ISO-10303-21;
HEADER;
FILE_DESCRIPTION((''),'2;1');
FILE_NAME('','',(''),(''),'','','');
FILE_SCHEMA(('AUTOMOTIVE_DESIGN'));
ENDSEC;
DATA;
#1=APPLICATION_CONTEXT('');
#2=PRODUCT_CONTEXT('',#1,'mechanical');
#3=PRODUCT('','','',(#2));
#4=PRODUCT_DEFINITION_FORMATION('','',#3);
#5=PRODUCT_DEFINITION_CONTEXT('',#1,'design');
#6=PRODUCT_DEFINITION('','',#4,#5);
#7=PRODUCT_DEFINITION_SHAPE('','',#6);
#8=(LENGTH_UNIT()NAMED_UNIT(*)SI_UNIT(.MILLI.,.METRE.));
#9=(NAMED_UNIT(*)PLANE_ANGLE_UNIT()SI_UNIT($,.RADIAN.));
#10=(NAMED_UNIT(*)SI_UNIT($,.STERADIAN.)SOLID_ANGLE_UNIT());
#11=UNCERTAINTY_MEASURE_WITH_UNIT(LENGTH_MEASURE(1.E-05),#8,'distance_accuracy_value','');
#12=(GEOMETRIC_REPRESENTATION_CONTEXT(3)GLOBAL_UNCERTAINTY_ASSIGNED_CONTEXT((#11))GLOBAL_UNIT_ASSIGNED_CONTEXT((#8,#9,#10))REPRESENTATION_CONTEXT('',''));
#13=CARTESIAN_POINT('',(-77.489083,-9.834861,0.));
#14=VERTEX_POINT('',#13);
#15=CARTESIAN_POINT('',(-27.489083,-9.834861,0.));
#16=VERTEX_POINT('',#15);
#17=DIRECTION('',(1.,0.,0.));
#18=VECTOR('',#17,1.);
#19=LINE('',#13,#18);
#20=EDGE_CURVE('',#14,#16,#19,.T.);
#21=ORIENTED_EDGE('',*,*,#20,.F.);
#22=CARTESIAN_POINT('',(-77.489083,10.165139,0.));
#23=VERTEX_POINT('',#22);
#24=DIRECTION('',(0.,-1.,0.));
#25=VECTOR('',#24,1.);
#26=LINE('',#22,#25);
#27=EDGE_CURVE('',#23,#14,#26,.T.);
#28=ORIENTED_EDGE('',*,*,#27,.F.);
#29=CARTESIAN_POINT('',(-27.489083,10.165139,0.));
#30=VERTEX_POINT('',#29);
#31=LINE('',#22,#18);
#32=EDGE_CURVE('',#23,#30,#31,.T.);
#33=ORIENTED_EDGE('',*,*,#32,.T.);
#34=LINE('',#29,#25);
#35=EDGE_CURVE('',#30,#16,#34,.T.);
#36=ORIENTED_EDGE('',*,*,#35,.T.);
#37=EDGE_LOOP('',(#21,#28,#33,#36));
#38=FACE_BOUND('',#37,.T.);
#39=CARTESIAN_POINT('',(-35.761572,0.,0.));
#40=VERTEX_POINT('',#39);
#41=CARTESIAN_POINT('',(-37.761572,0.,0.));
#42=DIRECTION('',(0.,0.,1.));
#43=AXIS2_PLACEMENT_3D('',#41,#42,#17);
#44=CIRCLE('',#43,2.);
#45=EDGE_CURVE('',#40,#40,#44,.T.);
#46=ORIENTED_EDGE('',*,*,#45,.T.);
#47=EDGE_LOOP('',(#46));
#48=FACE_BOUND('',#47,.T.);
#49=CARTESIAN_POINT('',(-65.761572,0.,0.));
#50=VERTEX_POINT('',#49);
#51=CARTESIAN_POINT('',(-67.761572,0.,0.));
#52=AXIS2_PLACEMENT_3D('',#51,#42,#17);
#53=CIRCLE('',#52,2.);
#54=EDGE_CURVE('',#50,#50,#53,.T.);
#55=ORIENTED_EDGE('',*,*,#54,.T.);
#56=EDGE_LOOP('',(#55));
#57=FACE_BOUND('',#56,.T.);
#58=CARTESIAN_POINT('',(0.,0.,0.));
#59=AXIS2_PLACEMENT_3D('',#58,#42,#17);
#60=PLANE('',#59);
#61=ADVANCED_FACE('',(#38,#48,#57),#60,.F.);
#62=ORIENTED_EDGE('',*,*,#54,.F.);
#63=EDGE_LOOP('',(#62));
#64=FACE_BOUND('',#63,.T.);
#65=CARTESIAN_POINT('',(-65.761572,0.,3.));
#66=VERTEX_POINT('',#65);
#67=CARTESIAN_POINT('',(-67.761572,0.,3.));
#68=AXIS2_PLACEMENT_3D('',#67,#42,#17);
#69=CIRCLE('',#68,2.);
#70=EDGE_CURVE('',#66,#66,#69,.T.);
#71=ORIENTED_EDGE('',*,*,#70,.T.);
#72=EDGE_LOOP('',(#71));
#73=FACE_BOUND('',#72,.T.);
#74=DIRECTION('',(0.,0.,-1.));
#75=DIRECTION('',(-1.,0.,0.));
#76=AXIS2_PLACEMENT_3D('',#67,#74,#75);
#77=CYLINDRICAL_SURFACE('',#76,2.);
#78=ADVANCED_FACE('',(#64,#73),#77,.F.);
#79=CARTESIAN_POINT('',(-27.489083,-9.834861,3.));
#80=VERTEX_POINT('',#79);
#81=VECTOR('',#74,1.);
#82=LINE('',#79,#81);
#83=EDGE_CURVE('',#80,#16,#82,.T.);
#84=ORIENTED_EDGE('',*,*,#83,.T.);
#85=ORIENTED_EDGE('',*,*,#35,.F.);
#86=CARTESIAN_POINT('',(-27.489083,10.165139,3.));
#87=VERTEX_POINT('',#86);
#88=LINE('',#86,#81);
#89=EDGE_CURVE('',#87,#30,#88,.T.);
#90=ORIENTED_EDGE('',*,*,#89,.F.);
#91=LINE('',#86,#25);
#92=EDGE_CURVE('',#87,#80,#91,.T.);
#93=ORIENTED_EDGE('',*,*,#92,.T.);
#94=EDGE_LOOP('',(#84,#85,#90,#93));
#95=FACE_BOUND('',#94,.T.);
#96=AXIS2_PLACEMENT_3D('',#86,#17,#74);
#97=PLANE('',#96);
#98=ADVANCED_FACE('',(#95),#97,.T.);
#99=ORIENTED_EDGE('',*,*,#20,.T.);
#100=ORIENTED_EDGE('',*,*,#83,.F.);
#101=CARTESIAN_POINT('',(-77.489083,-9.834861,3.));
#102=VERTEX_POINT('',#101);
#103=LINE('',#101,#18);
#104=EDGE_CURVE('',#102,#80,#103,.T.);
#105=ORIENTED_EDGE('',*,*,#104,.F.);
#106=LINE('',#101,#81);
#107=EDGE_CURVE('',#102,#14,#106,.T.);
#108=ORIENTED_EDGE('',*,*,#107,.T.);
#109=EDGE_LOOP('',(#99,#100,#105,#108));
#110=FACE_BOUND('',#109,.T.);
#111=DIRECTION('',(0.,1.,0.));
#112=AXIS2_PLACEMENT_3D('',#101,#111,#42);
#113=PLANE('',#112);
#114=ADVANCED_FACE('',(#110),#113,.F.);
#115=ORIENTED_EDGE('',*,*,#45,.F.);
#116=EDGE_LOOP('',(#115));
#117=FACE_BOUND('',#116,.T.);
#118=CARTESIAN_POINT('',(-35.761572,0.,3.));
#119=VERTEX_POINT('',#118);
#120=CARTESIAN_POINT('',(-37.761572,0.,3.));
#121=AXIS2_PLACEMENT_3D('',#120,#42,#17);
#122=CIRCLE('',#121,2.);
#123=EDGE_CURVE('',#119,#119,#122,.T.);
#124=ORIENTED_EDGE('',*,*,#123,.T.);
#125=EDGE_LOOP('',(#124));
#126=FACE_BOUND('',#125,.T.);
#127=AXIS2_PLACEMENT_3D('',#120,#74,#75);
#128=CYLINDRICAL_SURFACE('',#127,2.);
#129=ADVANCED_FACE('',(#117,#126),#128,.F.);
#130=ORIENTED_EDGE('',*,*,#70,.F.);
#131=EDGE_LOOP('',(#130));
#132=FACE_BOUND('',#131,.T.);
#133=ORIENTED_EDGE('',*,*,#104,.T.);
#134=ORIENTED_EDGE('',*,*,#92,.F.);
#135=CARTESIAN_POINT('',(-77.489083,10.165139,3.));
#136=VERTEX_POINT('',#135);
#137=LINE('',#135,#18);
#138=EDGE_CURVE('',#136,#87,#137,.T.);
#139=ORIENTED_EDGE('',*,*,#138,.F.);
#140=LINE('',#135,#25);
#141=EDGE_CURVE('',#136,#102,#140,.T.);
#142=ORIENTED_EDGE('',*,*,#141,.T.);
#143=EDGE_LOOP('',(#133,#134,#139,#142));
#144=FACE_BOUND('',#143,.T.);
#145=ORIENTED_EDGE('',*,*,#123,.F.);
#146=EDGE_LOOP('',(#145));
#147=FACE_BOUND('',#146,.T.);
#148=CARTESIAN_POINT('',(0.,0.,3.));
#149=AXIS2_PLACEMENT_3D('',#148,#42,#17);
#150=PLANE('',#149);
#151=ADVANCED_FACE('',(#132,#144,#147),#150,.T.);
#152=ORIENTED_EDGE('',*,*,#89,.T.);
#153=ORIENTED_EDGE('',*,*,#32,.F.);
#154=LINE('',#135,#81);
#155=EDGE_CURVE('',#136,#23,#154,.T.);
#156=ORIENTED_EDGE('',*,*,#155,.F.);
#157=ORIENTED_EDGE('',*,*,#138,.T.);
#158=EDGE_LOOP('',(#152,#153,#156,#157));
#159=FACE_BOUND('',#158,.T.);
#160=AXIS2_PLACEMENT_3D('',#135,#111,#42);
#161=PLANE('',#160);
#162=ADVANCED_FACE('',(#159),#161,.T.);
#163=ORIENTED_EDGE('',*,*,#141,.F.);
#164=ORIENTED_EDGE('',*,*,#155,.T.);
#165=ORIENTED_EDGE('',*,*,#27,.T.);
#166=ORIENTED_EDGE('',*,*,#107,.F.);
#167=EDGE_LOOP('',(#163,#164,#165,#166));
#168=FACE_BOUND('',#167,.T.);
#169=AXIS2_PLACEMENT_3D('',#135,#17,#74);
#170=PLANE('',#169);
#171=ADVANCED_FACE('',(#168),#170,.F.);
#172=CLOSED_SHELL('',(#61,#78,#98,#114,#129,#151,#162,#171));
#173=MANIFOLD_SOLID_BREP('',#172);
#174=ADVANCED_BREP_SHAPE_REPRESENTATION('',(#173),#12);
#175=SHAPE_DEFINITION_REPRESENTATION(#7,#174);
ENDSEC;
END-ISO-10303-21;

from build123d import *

# Parameters (mm, degrees)
SKETCH1_W           = 50
SKETCH1_H           = 20
SKETCH1_R           = 2
BOSS_EXTRUDE1_DEPTH = 3


with BuildPart() as part:
    # Sketch1 → Boss-Extrude1 (new body)
    with BuildSketch(Plane.XY):
        with Locations((-52.489082951, 0.165139096)):
            Rectangle(SKETCH1_W, SKETCH1_H)
        with Locations((-67.761571669, 0)):
            Circle(SKETCH1_R, mode=Mode.SUBTRACT)
        with Locations((-37.761571669, 0)):
            Circle(SKETCH1_R, mode=Mode.SUBTRACT)
    extrude(amount=BOSS_EXTRUDE1_DEPTH)


solid = part.part
